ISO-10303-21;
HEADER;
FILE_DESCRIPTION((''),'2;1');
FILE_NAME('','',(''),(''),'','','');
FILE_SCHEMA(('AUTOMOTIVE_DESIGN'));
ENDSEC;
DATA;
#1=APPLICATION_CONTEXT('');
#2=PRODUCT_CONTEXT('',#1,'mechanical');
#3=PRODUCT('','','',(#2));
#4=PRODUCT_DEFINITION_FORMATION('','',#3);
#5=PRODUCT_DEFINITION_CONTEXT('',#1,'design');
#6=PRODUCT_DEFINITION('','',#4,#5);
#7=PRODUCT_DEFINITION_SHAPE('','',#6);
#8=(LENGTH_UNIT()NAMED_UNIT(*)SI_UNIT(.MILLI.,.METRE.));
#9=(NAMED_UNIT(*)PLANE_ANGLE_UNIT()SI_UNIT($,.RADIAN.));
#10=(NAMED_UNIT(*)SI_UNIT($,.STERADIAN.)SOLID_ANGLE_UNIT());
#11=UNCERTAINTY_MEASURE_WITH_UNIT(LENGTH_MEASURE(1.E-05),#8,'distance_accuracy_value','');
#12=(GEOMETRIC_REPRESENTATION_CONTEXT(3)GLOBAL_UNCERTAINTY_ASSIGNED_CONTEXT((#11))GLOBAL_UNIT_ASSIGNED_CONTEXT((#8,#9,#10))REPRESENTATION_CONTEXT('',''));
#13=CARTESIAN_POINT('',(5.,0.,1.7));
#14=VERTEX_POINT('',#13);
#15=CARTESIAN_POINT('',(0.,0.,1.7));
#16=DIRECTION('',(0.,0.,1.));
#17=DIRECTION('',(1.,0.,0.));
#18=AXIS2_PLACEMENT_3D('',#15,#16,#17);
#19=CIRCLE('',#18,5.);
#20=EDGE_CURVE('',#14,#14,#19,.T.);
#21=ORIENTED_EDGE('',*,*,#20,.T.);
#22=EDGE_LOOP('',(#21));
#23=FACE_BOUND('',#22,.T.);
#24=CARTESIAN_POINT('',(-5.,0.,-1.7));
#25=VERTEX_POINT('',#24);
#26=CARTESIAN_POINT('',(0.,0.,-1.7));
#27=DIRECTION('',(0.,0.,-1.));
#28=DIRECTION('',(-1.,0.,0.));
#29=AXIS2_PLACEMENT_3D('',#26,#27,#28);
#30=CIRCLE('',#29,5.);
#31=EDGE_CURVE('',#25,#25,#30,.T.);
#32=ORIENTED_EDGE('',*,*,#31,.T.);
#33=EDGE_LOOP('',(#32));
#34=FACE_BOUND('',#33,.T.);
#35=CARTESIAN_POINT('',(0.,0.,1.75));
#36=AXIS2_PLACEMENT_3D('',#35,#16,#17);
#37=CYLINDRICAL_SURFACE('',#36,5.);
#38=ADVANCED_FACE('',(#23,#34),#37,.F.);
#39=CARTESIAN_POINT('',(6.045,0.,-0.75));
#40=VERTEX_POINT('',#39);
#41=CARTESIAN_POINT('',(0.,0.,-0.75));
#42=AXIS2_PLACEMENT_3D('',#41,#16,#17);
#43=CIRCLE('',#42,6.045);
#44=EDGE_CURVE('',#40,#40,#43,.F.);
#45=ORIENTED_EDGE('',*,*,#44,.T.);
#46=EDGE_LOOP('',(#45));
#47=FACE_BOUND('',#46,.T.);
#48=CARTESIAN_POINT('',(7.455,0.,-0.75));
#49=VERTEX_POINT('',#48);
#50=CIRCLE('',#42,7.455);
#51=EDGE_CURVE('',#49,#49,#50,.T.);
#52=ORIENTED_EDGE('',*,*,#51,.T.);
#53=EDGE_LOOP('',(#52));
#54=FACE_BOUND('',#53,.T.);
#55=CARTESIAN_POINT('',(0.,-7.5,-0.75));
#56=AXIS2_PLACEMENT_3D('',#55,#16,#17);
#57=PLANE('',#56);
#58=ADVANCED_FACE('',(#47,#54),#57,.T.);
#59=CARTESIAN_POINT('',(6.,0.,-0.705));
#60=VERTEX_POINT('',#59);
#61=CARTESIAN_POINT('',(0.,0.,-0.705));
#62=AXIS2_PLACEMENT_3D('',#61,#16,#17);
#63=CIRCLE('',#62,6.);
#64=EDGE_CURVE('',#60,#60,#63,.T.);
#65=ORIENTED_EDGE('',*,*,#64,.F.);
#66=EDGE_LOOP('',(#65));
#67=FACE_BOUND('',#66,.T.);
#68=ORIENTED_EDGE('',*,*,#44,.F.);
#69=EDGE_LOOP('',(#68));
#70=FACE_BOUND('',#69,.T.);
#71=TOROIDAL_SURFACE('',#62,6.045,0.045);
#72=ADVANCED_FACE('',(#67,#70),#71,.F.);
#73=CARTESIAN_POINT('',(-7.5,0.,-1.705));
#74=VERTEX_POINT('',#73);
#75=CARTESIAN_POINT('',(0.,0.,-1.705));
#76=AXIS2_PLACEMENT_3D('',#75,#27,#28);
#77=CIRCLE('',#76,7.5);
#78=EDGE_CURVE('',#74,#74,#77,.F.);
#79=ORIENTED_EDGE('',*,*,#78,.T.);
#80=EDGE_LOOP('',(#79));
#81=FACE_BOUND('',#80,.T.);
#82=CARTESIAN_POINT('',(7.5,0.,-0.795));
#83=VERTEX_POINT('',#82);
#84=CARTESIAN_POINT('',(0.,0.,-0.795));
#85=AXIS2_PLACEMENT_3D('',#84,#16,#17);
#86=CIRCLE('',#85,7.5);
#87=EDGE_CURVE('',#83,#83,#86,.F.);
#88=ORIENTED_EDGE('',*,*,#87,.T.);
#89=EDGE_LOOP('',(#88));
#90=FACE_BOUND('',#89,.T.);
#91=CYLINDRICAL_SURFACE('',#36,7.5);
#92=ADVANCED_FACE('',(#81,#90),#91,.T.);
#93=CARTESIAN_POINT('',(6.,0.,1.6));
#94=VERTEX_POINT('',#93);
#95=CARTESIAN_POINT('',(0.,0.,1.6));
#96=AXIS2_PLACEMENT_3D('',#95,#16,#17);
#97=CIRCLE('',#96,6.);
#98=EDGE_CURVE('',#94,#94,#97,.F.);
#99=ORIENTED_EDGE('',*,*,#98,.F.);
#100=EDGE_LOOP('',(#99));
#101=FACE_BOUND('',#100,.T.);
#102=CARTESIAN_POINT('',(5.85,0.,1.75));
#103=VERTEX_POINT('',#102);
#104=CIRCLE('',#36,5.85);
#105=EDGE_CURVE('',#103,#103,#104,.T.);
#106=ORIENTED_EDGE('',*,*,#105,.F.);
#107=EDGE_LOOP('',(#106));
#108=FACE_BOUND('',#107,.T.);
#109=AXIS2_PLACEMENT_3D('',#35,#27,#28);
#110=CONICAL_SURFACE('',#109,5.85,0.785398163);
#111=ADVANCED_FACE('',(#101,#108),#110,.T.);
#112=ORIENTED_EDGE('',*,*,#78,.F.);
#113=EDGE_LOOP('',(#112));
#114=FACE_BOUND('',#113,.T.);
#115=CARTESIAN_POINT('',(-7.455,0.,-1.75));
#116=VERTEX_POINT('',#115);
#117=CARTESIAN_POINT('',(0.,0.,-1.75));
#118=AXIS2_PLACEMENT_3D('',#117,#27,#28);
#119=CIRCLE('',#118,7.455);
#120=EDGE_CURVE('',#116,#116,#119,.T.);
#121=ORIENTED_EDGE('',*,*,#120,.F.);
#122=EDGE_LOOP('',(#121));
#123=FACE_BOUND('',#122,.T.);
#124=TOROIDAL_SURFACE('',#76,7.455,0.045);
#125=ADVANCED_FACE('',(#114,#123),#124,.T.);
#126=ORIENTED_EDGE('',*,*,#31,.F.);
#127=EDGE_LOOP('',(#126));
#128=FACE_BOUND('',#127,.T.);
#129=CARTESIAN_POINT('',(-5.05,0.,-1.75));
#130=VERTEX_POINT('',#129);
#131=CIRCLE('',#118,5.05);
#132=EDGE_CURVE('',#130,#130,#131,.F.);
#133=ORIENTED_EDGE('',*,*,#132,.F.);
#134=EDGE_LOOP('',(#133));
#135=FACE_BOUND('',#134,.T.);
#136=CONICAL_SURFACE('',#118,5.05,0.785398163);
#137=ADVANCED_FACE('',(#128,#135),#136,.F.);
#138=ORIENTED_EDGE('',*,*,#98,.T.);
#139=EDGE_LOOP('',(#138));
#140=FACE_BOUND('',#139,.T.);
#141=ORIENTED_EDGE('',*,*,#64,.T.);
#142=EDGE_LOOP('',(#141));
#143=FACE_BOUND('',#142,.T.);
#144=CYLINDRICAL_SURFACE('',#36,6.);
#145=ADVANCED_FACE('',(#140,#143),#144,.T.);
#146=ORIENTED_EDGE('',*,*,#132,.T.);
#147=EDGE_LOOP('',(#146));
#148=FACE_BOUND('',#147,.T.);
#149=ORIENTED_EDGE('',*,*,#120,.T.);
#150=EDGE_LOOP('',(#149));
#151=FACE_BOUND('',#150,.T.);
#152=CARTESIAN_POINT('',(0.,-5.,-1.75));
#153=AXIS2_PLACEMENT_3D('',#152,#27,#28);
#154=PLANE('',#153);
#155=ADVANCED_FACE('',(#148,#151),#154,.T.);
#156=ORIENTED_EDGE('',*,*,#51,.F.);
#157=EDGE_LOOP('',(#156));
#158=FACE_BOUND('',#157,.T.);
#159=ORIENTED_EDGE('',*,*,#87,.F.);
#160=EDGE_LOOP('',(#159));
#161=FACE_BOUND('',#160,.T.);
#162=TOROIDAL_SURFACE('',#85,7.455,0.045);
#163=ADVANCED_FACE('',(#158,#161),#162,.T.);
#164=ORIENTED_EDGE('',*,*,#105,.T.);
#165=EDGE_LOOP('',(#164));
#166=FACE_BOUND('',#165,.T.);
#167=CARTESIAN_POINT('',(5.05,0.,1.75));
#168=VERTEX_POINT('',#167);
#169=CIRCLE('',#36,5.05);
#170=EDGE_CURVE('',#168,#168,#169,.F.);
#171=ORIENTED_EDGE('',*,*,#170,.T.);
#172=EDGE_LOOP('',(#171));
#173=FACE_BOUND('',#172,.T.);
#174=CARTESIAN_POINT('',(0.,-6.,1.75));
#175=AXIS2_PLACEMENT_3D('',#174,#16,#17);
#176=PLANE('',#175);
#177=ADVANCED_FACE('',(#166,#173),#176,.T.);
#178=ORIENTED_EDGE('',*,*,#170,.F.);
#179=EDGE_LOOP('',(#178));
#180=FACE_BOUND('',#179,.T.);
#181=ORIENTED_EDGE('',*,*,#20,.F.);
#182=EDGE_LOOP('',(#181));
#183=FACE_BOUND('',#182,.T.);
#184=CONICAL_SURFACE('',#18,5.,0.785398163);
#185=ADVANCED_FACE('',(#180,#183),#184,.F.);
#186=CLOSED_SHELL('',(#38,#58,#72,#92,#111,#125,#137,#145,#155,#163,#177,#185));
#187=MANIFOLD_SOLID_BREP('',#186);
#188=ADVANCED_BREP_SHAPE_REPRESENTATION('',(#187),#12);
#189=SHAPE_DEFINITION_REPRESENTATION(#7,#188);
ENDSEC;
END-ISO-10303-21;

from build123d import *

# Parameters (mm, degrees)
CHAMFER1_SIZE = 0.15
CHAMFER2_SIZE = 0.05
FILLET1_R     = 0.045


with BuildPart() as part:
    # Sketch3 → Revolve1 (revolve)
    with BuildSketch(Plane(origin=(0, 0, 0), x_dir=(0, 0, -1), z_dir=(1, 0, 0))):
        Polygon((1.75, -7.5), (0.75, -7.5), (0.75, -6), (-1.75, -6), (-1.75, -5), (1.75, -5), align=None)
    revolve(axis=Axis((0, 0, 1.75), (0, 0, -1)))

    # Chamfer1
    chamfer1_edges = [part.edges().sort_by_distance(p)[0] for p in [
        (0, 6, 1.75),
    ]]
    chamfer(chamfer1_edges, length=CHAMFER1_SIZE)

    # Chamfer2
    chamfer2_edges = [part.edges().sort_by_distance(p)[0] for p in [
        (0, 5, -1.75),
        (0, 5, 1.75),
    ]]
    chamfer(chamfer2_edges, length=CHAMFER2_SIZE)

    # Fillet1
    fillet1_edges = [part.edges().sort_by_distance(p)[0] for p in [
        (0, 6, -0.75),
        (0, 7.5, -0.75),
        (0, 7.5, -1.75),
    ]]
    fillet(fillet1_edges, radius=FILLET1_R)


solid = part.part
